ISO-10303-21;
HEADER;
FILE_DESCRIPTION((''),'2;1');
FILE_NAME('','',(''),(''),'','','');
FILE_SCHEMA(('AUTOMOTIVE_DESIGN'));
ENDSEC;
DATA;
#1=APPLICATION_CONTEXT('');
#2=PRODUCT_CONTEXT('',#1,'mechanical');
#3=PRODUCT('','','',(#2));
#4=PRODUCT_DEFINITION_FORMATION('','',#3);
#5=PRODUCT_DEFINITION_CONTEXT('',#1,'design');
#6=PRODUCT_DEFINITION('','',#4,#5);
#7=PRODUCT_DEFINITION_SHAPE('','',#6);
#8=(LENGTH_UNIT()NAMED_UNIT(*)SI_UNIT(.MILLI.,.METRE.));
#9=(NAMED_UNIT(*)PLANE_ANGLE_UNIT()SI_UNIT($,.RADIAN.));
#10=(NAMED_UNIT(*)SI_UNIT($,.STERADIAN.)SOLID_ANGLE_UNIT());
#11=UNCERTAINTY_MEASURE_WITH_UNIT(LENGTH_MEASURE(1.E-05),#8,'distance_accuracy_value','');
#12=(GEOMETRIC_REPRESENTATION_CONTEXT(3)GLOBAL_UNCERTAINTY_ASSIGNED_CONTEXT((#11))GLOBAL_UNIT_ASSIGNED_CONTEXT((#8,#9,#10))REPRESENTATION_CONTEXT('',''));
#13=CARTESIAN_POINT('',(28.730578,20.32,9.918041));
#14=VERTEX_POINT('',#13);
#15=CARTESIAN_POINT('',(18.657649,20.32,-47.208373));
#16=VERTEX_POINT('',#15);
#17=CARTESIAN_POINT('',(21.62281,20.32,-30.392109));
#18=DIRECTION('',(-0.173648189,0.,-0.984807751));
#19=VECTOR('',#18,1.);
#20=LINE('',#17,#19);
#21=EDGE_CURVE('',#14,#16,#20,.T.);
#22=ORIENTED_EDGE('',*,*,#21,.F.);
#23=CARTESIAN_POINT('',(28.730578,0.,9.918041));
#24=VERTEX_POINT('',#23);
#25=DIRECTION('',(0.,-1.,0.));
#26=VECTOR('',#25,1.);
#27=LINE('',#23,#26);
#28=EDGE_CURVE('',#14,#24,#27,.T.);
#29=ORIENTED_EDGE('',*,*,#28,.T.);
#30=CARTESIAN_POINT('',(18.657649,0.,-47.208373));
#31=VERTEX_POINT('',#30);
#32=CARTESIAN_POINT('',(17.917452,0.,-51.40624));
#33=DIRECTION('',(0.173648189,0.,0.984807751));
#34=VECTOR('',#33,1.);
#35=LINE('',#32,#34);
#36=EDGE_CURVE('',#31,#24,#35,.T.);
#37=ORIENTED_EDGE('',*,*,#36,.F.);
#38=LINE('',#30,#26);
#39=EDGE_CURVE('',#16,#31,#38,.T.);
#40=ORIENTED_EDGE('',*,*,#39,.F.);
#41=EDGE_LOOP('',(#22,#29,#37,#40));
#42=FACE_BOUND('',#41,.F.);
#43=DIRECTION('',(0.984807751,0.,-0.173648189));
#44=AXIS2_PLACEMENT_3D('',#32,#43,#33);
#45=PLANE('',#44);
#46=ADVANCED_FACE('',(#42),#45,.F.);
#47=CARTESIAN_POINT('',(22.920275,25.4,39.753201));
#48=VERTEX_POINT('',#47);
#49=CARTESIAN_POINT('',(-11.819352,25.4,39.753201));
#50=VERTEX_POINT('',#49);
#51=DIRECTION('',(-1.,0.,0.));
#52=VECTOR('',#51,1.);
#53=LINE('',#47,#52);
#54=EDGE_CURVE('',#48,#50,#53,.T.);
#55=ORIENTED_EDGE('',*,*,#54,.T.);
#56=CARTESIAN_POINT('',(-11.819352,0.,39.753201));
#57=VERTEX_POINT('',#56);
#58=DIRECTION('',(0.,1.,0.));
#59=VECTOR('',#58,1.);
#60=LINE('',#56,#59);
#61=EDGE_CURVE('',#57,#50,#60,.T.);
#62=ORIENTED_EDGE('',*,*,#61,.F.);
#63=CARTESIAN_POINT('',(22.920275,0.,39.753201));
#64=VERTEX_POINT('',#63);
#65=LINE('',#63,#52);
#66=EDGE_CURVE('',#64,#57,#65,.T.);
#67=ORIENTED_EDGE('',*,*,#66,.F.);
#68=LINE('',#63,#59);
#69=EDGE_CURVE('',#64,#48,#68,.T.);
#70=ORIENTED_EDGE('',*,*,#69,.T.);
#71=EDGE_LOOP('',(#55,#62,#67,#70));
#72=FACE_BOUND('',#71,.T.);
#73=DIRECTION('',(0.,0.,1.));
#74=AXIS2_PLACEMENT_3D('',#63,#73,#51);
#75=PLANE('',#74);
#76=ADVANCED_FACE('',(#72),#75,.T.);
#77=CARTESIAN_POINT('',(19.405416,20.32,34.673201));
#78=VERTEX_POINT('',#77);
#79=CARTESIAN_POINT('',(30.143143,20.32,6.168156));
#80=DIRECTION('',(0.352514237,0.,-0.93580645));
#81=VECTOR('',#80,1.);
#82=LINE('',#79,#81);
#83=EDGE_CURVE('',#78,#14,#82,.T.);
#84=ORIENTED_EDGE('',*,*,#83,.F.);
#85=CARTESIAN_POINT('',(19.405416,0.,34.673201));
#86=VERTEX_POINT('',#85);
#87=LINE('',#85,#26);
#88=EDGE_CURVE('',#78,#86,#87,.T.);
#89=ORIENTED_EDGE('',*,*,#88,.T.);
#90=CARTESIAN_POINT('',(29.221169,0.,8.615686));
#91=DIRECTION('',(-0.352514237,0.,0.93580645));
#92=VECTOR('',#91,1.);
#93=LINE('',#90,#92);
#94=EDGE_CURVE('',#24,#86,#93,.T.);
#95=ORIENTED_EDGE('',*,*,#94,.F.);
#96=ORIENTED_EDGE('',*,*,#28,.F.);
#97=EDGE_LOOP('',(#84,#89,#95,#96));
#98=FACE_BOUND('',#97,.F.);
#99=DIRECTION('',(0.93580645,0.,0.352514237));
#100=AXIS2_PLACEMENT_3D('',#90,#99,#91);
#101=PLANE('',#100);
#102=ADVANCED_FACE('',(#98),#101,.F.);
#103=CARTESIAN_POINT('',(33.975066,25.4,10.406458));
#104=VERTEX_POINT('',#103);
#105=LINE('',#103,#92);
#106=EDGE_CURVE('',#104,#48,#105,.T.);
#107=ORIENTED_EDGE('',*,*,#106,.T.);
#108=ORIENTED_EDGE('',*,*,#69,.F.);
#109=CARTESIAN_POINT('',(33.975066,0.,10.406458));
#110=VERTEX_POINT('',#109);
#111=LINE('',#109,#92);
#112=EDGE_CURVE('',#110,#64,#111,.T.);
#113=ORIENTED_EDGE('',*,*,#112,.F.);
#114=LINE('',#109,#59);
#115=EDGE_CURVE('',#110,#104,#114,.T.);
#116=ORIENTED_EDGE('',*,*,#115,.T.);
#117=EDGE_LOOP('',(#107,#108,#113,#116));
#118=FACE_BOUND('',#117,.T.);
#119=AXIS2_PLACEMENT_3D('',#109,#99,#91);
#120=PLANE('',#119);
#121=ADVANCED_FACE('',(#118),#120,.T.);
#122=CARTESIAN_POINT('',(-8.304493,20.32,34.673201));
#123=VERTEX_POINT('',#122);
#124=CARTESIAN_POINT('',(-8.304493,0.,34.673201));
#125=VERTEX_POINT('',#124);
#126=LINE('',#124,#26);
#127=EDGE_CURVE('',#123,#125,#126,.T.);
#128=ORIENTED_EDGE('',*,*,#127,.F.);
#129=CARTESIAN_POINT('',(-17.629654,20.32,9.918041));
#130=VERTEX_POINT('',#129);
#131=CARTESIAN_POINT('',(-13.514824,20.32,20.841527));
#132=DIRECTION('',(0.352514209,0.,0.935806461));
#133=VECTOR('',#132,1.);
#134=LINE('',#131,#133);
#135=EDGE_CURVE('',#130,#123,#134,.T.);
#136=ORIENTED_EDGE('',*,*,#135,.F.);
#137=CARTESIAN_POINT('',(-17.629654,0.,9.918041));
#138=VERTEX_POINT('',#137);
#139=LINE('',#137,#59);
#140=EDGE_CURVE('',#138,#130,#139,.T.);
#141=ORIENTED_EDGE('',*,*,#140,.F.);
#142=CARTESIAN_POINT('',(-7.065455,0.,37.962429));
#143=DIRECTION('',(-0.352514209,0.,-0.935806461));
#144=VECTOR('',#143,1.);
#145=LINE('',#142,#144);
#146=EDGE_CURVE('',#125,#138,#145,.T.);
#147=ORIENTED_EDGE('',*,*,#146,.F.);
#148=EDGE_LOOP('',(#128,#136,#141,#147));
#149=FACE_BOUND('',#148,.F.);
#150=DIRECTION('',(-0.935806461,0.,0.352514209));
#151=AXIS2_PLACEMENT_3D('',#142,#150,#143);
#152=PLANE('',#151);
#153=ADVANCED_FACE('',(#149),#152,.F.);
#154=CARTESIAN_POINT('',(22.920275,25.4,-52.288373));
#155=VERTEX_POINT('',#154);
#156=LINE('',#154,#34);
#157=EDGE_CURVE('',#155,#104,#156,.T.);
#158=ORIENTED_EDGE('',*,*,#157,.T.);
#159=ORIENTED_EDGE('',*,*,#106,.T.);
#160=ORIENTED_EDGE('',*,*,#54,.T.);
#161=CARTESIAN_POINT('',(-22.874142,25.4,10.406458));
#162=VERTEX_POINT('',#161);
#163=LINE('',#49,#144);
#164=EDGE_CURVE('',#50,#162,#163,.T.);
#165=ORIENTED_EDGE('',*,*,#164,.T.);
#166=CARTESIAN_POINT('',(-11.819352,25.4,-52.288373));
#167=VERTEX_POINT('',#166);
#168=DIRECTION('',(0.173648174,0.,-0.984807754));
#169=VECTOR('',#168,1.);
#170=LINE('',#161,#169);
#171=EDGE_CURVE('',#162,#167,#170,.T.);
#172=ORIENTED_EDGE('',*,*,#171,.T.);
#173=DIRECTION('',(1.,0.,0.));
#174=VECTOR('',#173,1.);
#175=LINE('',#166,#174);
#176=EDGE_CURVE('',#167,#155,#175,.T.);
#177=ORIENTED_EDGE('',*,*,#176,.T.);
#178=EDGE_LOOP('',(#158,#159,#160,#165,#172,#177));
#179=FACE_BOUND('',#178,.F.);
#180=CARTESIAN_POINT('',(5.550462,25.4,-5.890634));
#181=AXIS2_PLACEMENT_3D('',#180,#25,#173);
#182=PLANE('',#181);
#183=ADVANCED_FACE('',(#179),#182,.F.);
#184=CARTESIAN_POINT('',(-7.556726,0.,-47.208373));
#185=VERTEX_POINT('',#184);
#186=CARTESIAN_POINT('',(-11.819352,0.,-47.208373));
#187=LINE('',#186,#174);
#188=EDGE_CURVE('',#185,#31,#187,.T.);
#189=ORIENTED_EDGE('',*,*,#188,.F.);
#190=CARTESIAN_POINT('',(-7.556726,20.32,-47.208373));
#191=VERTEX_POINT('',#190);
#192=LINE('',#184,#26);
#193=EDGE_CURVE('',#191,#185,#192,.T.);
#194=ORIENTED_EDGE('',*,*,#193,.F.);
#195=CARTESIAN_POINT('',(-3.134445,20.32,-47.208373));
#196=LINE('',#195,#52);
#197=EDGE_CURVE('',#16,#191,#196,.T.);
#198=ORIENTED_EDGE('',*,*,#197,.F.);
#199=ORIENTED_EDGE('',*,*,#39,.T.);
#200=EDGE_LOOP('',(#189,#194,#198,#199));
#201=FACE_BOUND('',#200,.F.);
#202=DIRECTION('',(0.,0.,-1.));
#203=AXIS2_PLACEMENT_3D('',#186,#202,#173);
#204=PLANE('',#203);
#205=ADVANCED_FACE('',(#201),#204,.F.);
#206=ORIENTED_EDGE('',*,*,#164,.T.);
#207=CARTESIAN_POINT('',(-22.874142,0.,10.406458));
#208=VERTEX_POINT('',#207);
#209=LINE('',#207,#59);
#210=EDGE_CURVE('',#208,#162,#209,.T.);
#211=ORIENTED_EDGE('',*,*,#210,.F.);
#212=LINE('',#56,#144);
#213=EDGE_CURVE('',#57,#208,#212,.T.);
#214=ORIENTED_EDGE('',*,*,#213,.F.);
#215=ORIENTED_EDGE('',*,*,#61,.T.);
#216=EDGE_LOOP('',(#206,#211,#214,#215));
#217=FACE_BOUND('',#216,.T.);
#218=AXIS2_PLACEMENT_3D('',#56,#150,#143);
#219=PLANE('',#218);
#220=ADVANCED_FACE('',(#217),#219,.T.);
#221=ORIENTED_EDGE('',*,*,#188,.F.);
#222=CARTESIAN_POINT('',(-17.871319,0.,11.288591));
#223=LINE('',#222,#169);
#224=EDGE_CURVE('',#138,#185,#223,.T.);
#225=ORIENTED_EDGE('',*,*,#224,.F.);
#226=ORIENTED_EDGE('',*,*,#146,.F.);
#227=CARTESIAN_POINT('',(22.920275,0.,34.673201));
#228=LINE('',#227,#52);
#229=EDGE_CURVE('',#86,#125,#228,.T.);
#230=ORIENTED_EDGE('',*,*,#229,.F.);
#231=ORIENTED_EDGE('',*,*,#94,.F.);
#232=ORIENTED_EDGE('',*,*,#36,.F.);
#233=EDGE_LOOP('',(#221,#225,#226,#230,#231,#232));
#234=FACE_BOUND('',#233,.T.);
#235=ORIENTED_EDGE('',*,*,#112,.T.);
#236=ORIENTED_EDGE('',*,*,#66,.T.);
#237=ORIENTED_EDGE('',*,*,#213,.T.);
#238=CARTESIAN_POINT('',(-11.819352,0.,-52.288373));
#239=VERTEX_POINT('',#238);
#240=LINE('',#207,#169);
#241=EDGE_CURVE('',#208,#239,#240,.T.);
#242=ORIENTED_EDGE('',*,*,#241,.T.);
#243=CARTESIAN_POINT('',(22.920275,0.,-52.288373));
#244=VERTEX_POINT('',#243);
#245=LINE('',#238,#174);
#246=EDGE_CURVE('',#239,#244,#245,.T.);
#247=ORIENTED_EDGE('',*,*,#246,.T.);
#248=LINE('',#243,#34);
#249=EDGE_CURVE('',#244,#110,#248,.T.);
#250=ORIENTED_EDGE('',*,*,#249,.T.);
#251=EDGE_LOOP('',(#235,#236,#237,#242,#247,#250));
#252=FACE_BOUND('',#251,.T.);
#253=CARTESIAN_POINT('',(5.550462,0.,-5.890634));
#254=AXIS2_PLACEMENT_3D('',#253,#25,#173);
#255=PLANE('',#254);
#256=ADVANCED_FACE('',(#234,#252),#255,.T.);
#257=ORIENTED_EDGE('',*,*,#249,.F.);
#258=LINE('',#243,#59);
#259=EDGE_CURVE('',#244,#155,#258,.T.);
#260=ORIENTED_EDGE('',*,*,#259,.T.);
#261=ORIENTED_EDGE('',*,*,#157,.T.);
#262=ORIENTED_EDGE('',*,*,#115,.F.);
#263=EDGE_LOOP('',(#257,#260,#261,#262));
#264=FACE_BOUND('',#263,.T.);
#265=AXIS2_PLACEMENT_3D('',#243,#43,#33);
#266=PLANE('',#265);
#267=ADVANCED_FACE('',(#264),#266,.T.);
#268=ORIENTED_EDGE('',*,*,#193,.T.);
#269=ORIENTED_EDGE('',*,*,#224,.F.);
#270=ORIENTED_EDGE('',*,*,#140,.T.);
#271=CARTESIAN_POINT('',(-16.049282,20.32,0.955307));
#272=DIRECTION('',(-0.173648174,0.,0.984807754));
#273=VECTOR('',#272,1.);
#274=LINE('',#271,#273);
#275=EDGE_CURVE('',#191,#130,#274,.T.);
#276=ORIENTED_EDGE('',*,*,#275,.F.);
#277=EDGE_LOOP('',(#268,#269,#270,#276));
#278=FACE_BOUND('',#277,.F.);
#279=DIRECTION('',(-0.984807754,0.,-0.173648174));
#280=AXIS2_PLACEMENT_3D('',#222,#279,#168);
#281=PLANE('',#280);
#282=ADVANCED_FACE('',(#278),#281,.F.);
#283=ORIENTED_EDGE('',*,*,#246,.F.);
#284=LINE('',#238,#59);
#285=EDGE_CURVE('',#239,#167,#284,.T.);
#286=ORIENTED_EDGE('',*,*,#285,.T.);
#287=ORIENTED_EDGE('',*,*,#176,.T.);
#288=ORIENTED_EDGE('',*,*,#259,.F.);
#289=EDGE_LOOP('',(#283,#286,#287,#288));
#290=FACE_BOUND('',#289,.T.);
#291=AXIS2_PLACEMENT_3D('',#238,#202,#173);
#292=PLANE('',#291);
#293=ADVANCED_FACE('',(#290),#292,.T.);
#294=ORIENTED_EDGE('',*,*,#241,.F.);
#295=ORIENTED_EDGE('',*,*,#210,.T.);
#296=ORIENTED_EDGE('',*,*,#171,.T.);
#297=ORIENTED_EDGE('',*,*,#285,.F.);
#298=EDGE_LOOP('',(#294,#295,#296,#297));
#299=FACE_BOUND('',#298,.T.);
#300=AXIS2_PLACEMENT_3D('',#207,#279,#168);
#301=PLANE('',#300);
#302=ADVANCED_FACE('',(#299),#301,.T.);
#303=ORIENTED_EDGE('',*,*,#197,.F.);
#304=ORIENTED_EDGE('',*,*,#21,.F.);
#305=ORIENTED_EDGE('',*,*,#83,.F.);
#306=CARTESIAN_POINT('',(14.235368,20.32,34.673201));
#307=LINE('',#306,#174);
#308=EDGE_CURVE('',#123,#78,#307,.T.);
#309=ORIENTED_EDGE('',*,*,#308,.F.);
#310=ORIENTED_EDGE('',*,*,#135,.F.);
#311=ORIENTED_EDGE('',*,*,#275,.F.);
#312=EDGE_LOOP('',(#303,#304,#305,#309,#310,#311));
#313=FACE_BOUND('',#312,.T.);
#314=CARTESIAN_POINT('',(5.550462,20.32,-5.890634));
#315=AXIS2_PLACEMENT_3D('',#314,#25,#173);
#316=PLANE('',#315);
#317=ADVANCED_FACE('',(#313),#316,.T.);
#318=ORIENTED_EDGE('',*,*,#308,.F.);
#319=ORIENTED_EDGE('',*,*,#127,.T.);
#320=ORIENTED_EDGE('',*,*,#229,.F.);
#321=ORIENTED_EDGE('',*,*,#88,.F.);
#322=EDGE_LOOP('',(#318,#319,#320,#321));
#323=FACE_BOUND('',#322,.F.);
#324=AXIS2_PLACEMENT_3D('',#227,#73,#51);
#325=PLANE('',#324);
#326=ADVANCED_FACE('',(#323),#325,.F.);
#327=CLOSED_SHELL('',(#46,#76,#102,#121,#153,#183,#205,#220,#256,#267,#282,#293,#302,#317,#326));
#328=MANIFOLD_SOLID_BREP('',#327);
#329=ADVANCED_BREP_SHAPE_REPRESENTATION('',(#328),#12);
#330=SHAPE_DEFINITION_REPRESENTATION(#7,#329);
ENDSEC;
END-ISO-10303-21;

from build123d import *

# Parameters (mm, degrees)
F1_DEPTH = 25.4
F2_T     = -5.08


with BuildPart() as f1:
    # F0 (on Front) → F1 (new body)
    with BuildSketch(Plane.XZ):
        Polygon((-22.874142, 10.406458), (-11.819352, -52.288373), (22.920275, -52.288373), (33.975066, 10.406458), (22.920275, 39.753201), (-11.819352, 39.753201), align=None)
    extrude(amount=-F1_DEPTH)

    # F2
    f2_openings = [f1.faces().sort_by_distance(p)[0] for p in [
        (5.550462, 0, -4.925879),
    ]]
    offset(amount=F2_T, openings=f2_openings)


solid = f1.part
